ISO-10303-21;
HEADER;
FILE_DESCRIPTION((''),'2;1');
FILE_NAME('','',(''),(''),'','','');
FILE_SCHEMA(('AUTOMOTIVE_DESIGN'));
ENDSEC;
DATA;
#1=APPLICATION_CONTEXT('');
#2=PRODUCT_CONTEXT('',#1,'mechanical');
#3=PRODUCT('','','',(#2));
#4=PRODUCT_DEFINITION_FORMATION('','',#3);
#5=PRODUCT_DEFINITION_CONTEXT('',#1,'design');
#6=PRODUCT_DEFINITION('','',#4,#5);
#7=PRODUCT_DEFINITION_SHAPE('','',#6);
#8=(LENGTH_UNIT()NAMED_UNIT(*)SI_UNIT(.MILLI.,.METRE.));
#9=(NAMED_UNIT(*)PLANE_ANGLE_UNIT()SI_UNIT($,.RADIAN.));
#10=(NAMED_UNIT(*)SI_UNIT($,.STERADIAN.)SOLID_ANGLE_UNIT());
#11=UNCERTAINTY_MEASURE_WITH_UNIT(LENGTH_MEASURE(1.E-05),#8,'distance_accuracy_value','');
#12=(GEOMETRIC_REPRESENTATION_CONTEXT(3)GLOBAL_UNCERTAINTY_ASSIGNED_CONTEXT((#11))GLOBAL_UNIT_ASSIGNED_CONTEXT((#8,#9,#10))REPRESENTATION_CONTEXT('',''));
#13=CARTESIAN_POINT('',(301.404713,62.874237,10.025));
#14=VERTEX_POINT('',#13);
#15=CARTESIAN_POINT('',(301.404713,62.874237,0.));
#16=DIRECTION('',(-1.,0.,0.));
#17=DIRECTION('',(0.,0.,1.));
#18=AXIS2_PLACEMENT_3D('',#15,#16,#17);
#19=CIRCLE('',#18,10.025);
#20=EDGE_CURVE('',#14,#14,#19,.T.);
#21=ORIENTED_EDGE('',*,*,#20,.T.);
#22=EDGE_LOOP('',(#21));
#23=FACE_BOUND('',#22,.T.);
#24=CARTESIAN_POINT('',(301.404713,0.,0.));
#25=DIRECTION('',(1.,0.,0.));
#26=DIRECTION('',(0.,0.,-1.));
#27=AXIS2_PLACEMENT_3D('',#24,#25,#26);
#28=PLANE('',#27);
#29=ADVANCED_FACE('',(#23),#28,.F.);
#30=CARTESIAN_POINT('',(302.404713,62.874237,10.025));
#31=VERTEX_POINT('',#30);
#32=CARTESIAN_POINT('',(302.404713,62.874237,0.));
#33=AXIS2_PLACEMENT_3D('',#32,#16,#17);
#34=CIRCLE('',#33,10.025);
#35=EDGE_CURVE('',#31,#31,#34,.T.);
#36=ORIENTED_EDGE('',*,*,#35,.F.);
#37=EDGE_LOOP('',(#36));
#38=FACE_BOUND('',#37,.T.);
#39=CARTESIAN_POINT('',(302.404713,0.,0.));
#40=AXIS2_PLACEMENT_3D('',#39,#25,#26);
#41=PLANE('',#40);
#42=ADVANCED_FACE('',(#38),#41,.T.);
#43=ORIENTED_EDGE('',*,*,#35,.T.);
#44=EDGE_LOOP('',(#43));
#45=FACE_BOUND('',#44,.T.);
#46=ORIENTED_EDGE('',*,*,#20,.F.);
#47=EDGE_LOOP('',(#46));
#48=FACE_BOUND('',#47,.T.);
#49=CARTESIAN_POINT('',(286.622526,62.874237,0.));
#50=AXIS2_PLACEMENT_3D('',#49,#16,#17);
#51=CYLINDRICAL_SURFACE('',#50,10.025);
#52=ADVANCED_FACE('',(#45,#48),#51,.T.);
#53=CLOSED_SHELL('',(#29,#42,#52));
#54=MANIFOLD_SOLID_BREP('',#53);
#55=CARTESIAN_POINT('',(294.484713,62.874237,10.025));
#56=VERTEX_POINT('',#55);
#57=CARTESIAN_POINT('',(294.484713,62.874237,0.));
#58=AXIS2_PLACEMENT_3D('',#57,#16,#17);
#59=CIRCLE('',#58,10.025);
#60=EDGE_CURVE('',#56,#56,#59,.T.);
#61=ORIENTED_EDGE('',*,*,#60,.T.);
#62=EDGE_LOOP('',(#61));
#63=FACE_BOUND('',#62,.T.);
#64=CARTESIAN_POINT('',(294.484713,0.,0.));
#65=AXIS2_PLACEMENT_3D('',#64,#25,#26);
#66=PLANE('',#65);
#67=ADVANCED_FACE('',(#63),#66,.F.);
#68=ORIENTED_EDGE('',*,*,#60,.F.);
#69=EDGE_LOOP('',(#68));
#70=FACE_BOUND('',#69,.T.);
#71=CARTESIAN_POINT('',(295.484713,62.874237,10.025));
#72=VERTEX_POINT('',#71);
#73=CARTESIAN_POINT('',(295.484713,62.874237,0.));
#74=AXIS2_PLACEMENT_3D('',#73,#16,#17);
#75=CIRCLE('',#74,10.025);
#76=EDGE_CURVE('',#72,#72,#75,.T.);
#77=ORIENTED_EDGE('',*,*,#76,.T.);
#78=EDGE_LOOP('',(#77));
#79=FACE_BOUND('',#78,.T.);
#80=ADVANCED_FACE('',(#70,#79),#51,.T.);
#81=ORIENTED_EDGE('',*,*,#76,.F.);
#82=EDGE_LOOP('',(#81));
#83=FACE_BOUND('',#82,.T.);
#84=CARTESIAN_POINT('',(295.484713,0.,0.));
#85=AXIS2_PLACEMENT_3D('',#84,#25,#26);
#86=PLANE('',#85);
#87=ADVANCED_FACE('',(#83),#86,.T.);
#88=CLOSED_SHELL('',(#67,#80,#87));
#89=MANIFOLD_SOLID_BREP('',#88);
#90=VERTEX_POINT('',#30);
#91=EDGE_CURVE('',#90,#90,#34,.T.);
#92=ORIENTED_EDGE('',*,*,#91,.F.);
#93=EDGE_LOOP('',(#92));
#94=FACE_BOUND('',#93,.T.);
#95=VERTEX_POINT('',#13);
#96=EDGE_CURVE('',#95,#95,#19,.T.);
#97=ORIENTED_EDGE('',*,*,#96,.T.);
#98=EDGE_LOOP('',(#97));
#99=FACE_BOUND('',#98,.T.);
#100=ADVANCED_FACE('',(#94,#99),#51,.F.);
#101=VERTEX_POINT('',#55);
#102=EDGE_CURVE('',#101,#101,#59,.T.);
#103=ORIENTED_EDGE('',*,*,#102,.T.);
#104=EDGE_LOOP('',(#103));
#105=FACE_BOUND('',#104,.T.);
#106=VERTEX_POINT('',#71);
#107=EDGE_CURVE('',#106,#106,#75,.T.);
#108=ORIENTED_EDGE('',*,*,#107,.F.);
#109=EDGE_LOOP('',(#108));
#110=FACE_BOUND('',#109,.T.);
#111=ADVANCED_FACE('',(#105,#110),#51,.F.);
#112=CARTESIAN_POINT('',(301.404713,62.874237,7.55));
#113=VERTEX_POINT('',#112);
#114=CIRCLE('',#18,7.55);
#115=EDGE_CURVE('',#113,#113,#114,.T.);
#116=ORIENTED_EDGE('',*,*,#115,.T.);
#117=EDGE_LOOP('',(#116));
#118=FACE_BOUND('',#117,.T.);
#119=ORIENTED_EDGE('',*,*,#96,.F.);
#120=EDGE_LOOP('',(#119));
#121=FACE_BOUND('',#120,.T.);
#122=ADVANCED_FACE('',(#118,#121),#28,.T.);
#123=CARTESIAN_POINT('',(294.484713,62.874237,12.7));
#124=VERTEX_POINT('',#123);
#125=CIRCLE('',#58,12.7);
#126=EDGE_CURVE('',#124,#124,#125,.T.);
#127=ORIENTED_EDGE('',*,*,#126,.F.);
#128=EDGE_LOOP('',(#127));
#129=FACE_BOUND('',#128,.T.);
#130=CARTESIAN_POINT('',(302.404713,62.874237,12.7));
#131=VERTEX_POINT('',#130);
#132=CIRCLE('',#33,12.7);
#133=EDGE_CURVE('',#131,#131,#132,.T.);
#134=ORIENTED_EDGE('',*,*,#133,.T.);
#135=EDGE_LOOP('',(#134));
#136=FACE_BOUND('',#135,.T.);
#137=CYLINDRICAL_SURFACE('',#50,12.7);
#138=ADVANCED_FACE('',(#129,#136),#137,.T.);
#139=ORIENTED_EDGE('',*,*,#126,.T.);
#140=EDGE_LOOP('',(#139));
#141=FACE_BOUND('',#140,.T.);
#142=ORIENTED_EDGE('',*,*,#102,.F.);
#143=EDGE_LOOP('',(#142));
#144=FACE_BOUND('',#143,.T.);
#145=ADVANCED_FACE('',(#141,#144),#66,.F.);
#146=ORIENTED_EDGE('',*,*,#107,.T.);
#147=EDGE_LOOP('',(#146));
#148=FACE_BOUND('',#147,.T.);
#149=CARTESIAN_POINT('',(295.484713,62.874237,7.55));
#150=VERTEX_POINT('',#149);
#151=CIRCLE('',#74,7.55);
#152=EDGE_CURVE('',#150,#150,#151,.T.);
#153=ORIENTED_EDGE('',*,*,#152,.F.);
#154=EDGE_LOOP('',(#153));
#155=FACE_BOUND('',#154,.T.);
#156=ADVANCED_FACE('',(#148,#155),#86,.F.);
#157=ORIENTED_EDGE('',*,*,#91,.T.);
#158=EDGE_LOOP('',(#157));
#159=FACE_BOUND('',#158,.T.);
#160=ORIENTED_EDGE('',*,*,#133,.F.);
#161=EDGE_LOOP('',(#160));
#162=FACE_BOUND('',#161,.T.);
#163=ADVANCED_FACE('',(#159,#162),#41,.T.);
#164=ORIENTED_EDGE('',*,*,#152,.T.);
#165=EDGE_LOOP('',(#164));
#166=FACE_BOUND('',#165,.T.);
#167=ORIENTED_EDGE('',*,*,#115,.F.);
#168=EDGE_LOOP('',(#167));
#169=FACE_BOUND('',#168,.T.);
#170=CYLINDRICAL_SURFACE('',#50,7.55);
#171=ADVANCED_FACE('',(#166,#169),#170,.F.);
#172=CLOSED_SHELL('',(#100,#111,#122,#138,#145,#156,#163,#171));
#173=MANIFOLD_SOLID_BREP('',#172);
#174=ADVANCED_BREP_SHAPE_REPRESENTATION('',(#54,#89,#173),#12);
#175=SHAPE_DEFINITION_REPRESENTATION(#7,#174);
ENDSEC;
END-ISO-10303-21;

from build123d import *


with BuildPart() as part:
    # Sketch 1 → Revolve 1 (revolve)
    with BuildSketch(Plane.XY, mode=Mode.PRIVATE) as revolve_1_sk:
        Polygon((302.404713074, 75.574237467), (294.484713074, 75.574237467), (294.484713074, 72.899237467), (295.484713074, 72.899237467), (295.484713074, 70.424237467), (301.404713074, 70.424237467), (301.404713074, 72.899237467), (302.404713074, 72.899237467), align=None)
    revolve(revolve_1_sk.sketch.rotate(Axis((286.622526245, 62.874237467, 0), (1, 0, 0)), 90), axis=Axis((286.622526245, 62.874237467, 0), (1, 0, 0)))  # turned: the seam where the file's is


with BuildPart() as body_2:
    # Sketch 1_4 one side → Revolve 2 (revolve)
    with BuildSketch(Plane.XY, mode=Mode.PRIVATE) as revolve_2_sk:
        Polygon((295.484713074, 70.424237467), (295.484713074, 72.899237467), (294.484713074, 72.899237467), (294.484713074, 62.874237467), (295.484713074, 62.874237467), align=None)
    revolve(revolve_2_sk.sketch.rotate(Axis((286.622526245, 62.874237467, 0), (1, 0, 0)), 90), axis=Axis((286.622526245, 62.874237467, 0), (1, 0, 0)))  # turned: the seam where the file's is


with BuildPart() as body_3:
    # Sketch 1_5 one side → Revolve 3 (revolve)
    with BuildSketch(Plane.XY, mode=Mode.PRIVATE) as revolve_3_sk:
        Polygon((301.404713074, 62.874237467), (302.404713074, 62.874237467), (302.404713074, 72.899237467), (301.404713074, 72.899237467), (301.404713074, 70.424237467), align=None)
    revolve(revolve_3_sk.sketch.rotate(Axis((286.622526245, 62.874237467, 0), (1, 0, 0)), 90), axis=Axis((286.622526245, 62.874237467, 0), (1, 0, 0)))  # turned: the seam where the file's is


solid = Compound([part.part, body_2.part, body_3.part])
